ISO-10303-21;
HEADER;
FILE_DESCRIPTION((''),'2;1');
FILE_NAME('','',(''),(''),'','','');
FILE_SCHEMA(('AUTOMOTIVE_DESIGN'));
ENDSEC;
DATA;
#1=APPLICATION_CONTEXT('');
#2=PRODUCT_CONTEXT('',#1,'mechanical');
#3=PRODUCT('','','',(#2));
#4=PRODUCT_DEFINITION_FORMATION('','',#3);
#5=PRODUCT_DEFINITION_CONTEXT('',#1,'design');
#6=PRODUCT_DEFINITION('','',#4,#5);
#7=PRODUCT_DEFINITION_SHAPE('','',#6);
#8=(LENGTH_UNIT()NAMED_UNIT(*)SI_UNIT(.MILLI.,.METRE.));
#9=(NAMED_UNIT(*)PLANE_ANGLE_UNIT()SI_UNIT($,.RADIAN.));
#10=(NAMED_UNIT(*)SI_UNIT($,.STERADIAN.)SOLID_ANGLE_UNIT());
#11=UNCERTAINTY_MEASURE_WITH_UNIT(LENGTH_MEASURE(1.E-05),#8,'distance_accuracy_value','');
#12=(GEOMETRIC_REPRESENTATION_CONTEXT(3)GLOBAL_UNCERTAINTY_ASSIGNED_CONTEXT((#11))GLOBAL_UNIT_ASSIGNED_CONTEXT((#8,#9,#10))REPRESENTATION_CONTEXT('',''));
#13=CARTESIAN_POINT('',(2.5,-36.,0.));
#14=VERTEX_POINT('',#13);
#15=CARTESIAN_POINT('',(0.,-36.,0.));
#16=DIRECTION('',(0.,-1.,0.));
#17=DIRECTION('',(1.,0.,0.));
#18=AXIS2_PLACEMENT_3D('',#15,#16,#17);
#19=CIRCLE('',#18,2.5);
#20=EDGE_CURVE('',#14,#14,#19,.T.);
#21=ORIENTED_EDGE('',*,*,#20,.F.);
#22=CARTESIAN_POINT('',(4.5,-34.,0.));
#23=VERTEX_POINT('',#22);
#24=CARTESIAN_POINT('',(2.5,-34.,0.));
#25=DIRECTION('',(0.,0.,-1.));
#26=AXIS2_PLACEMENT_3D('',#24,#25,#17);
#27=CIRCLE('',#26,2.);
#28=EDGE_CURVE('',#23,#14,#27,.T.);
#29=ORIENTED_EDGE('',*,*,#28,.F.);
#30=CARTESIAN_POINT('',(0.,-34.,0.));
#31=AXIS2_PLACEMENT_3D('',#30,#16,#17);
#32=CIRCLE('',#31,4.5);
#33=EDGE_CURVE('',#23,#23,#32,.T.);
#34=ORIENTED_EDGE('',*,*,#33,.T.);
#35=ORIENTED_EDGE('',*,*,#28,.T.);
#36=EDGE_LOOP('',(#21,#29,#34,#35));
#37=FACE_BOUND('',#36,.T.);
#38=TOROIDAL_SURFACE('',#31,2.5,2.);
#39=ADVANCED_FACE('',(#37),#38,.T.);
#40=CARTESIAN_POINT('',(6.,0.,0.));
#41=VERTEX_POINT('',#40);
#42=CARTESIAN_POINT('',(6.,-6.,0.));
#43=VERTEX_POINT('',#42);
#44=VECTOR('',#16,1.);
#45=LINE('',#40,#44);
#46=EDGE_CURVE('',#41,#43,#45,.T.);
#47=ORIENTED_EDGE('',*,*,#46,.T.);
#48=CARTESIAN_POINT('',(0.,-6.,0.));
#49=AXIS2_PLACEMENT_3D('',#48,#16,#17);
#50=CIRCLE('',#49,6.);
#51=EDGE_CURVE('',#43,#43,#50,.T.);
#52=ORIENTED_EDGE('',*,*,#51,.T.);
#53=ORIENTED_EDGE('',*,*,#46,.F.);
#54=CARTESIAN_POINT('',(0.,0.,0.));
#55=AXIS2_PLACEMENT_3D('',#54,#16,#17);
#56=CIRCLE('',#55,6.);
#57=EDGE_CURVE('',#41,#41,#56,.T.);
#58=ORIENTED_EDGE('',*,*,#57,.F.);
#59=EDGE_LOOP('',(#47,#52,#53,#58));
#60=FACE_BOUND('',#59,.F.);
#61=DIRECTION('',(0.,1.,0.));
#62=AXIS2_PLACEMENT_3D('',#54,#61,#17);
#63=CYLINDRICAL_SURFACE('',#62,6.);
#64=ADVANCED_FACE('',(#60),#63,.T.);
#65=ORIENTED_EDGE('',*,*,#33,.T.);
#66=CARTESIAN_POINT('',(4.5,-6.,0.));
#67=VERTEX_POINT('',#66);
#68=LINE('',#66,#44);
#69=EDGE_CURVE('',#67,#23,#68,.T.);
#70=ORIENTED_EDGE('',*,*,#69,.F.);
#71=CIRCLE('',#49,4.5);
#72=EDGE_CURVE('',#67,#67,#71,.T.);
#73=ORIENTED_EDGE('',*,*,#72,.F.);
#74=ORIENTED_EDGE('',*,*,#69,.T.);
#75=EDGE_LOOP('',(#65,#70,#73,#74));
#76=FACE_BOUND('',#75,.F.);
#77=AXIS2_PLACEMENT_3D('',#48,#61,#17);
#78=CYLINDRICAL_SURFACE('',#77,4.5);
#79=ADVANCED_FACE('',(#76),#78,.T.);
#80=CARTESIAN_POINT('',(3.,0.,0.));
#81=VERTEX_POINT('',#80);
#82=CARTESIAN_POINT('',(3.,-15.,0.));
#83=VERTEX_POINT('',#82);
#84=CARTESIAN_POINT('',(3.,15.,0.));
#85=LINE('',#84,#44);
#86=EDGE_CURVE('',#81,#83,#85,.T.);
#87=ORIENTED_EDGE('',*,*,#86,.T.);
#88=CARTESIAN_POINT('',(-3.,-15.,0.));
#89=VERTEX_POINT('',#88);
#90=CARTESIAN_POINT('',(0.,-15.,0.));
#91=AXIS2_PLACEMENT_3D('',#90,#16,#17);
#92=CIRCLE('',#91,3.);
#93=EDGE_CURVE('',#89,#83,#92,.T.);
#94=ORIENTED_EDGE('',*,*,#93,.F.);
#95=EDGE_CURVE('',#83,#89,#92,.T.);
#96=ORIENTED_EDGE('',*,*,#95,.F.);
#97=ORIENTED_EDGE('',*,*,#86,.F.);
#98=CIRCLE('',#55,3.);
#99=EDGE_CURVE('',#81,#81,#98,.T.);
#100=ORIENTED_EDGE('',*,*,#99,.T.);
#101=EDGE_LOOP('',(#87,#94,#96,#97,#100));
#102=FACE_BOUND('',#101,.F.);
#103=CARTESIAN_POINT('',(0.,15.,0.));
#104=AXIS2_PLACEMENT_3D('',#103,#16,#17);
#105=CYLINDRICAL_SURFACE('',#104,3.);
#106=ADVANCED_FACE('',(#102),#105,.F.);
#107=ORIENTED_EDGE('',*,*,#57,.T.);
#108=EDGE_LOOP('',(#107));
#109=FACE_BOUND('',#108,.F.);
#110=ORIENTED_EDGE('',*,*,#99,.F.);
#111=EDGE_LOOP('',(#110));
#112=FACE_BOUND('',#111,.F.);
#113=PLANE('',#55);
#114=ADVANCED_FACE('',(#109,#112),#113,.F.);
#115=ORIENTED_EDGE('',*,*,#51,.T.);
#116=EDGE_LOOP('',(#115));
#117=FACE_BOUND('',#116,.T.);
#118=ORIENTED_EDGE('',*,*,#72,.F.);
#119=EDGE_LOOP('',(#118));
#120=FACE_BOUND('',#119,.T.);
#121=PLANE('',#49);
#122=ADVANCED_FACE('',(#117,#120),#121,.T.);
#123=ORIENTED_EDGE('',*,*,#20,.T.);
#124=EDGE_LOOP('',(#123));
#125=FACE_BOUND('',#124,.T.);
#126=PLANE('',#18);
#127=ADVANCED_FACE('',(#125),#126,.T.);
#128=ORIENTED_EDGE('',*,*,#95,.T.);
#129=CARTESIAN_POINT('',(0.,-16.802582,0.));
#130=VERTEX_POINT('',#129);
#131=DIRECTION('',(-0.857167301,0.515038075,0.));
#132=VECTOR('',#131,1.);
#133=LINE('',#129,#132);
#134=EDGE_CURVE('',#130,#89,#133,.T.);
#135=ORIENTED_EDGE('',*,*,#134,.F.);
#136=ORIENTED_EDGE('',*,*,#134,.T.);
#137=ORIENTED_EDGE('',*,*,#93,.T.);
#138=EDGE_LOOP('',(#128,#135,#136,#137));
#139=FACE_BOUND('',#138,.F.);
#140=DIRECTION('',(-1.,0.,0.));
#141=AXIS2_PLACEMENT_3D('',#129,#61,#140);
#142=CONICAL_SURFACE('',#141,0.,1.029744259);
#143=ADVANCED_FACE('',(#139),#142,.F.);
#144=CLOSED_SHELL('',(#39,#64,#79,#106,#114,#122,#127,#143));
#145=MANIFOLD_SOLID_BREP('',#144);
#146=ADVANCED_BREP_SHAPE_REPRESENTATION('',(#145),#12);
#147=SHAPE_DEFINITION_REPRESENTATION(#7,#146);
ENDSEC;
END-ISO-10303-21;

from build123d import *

# Parameters (mm, degrees)
F0_R     = 6
F1_DEPTH = 6
F2_R     = 4.5
F3_DEPTH = 30
F4_R     = 2
F6_D     = 6
F6_DEPTH = 15
F6_TIP   = 1.8025818571


with BuildPart() as f1:
    # F0 (on Front) → F1 (new body)
    with BuildSketch(Plane.XZ):
        Circle(F0_R)
    extrude(amount=F1_DEPTH)

    # F2 (on face) → F3 (join)
    with BuildSketch(Plane.XZ.offset(6)):
        Circle(F2_R)
    extrude(amount=F3_DEPTH)

    # F4
    f4_edges = [f1.edges().sort_by_distance(p)[0] for p in [
        (-4.5, -36, 0),
    ]]
    fillet(f4_edges, radius=F4_R)

    # F6
    with Locations(Plane(origin=(0, 0, 0), x_dir=(-1, 0, 0), z_dir=(0, 1, 0))):
        with Locations((0, 0)):
            Hole(F6_D / 2, depth=F6_DEPTH)
            with Locations((0, 0, -(F6_DEPTH + F6_TIP / 2))):  # 118° drill point
                Cone(0, F6_D / 2, F6_TIP, mode=Mode.SUBTRACT)


solid = f1.part
